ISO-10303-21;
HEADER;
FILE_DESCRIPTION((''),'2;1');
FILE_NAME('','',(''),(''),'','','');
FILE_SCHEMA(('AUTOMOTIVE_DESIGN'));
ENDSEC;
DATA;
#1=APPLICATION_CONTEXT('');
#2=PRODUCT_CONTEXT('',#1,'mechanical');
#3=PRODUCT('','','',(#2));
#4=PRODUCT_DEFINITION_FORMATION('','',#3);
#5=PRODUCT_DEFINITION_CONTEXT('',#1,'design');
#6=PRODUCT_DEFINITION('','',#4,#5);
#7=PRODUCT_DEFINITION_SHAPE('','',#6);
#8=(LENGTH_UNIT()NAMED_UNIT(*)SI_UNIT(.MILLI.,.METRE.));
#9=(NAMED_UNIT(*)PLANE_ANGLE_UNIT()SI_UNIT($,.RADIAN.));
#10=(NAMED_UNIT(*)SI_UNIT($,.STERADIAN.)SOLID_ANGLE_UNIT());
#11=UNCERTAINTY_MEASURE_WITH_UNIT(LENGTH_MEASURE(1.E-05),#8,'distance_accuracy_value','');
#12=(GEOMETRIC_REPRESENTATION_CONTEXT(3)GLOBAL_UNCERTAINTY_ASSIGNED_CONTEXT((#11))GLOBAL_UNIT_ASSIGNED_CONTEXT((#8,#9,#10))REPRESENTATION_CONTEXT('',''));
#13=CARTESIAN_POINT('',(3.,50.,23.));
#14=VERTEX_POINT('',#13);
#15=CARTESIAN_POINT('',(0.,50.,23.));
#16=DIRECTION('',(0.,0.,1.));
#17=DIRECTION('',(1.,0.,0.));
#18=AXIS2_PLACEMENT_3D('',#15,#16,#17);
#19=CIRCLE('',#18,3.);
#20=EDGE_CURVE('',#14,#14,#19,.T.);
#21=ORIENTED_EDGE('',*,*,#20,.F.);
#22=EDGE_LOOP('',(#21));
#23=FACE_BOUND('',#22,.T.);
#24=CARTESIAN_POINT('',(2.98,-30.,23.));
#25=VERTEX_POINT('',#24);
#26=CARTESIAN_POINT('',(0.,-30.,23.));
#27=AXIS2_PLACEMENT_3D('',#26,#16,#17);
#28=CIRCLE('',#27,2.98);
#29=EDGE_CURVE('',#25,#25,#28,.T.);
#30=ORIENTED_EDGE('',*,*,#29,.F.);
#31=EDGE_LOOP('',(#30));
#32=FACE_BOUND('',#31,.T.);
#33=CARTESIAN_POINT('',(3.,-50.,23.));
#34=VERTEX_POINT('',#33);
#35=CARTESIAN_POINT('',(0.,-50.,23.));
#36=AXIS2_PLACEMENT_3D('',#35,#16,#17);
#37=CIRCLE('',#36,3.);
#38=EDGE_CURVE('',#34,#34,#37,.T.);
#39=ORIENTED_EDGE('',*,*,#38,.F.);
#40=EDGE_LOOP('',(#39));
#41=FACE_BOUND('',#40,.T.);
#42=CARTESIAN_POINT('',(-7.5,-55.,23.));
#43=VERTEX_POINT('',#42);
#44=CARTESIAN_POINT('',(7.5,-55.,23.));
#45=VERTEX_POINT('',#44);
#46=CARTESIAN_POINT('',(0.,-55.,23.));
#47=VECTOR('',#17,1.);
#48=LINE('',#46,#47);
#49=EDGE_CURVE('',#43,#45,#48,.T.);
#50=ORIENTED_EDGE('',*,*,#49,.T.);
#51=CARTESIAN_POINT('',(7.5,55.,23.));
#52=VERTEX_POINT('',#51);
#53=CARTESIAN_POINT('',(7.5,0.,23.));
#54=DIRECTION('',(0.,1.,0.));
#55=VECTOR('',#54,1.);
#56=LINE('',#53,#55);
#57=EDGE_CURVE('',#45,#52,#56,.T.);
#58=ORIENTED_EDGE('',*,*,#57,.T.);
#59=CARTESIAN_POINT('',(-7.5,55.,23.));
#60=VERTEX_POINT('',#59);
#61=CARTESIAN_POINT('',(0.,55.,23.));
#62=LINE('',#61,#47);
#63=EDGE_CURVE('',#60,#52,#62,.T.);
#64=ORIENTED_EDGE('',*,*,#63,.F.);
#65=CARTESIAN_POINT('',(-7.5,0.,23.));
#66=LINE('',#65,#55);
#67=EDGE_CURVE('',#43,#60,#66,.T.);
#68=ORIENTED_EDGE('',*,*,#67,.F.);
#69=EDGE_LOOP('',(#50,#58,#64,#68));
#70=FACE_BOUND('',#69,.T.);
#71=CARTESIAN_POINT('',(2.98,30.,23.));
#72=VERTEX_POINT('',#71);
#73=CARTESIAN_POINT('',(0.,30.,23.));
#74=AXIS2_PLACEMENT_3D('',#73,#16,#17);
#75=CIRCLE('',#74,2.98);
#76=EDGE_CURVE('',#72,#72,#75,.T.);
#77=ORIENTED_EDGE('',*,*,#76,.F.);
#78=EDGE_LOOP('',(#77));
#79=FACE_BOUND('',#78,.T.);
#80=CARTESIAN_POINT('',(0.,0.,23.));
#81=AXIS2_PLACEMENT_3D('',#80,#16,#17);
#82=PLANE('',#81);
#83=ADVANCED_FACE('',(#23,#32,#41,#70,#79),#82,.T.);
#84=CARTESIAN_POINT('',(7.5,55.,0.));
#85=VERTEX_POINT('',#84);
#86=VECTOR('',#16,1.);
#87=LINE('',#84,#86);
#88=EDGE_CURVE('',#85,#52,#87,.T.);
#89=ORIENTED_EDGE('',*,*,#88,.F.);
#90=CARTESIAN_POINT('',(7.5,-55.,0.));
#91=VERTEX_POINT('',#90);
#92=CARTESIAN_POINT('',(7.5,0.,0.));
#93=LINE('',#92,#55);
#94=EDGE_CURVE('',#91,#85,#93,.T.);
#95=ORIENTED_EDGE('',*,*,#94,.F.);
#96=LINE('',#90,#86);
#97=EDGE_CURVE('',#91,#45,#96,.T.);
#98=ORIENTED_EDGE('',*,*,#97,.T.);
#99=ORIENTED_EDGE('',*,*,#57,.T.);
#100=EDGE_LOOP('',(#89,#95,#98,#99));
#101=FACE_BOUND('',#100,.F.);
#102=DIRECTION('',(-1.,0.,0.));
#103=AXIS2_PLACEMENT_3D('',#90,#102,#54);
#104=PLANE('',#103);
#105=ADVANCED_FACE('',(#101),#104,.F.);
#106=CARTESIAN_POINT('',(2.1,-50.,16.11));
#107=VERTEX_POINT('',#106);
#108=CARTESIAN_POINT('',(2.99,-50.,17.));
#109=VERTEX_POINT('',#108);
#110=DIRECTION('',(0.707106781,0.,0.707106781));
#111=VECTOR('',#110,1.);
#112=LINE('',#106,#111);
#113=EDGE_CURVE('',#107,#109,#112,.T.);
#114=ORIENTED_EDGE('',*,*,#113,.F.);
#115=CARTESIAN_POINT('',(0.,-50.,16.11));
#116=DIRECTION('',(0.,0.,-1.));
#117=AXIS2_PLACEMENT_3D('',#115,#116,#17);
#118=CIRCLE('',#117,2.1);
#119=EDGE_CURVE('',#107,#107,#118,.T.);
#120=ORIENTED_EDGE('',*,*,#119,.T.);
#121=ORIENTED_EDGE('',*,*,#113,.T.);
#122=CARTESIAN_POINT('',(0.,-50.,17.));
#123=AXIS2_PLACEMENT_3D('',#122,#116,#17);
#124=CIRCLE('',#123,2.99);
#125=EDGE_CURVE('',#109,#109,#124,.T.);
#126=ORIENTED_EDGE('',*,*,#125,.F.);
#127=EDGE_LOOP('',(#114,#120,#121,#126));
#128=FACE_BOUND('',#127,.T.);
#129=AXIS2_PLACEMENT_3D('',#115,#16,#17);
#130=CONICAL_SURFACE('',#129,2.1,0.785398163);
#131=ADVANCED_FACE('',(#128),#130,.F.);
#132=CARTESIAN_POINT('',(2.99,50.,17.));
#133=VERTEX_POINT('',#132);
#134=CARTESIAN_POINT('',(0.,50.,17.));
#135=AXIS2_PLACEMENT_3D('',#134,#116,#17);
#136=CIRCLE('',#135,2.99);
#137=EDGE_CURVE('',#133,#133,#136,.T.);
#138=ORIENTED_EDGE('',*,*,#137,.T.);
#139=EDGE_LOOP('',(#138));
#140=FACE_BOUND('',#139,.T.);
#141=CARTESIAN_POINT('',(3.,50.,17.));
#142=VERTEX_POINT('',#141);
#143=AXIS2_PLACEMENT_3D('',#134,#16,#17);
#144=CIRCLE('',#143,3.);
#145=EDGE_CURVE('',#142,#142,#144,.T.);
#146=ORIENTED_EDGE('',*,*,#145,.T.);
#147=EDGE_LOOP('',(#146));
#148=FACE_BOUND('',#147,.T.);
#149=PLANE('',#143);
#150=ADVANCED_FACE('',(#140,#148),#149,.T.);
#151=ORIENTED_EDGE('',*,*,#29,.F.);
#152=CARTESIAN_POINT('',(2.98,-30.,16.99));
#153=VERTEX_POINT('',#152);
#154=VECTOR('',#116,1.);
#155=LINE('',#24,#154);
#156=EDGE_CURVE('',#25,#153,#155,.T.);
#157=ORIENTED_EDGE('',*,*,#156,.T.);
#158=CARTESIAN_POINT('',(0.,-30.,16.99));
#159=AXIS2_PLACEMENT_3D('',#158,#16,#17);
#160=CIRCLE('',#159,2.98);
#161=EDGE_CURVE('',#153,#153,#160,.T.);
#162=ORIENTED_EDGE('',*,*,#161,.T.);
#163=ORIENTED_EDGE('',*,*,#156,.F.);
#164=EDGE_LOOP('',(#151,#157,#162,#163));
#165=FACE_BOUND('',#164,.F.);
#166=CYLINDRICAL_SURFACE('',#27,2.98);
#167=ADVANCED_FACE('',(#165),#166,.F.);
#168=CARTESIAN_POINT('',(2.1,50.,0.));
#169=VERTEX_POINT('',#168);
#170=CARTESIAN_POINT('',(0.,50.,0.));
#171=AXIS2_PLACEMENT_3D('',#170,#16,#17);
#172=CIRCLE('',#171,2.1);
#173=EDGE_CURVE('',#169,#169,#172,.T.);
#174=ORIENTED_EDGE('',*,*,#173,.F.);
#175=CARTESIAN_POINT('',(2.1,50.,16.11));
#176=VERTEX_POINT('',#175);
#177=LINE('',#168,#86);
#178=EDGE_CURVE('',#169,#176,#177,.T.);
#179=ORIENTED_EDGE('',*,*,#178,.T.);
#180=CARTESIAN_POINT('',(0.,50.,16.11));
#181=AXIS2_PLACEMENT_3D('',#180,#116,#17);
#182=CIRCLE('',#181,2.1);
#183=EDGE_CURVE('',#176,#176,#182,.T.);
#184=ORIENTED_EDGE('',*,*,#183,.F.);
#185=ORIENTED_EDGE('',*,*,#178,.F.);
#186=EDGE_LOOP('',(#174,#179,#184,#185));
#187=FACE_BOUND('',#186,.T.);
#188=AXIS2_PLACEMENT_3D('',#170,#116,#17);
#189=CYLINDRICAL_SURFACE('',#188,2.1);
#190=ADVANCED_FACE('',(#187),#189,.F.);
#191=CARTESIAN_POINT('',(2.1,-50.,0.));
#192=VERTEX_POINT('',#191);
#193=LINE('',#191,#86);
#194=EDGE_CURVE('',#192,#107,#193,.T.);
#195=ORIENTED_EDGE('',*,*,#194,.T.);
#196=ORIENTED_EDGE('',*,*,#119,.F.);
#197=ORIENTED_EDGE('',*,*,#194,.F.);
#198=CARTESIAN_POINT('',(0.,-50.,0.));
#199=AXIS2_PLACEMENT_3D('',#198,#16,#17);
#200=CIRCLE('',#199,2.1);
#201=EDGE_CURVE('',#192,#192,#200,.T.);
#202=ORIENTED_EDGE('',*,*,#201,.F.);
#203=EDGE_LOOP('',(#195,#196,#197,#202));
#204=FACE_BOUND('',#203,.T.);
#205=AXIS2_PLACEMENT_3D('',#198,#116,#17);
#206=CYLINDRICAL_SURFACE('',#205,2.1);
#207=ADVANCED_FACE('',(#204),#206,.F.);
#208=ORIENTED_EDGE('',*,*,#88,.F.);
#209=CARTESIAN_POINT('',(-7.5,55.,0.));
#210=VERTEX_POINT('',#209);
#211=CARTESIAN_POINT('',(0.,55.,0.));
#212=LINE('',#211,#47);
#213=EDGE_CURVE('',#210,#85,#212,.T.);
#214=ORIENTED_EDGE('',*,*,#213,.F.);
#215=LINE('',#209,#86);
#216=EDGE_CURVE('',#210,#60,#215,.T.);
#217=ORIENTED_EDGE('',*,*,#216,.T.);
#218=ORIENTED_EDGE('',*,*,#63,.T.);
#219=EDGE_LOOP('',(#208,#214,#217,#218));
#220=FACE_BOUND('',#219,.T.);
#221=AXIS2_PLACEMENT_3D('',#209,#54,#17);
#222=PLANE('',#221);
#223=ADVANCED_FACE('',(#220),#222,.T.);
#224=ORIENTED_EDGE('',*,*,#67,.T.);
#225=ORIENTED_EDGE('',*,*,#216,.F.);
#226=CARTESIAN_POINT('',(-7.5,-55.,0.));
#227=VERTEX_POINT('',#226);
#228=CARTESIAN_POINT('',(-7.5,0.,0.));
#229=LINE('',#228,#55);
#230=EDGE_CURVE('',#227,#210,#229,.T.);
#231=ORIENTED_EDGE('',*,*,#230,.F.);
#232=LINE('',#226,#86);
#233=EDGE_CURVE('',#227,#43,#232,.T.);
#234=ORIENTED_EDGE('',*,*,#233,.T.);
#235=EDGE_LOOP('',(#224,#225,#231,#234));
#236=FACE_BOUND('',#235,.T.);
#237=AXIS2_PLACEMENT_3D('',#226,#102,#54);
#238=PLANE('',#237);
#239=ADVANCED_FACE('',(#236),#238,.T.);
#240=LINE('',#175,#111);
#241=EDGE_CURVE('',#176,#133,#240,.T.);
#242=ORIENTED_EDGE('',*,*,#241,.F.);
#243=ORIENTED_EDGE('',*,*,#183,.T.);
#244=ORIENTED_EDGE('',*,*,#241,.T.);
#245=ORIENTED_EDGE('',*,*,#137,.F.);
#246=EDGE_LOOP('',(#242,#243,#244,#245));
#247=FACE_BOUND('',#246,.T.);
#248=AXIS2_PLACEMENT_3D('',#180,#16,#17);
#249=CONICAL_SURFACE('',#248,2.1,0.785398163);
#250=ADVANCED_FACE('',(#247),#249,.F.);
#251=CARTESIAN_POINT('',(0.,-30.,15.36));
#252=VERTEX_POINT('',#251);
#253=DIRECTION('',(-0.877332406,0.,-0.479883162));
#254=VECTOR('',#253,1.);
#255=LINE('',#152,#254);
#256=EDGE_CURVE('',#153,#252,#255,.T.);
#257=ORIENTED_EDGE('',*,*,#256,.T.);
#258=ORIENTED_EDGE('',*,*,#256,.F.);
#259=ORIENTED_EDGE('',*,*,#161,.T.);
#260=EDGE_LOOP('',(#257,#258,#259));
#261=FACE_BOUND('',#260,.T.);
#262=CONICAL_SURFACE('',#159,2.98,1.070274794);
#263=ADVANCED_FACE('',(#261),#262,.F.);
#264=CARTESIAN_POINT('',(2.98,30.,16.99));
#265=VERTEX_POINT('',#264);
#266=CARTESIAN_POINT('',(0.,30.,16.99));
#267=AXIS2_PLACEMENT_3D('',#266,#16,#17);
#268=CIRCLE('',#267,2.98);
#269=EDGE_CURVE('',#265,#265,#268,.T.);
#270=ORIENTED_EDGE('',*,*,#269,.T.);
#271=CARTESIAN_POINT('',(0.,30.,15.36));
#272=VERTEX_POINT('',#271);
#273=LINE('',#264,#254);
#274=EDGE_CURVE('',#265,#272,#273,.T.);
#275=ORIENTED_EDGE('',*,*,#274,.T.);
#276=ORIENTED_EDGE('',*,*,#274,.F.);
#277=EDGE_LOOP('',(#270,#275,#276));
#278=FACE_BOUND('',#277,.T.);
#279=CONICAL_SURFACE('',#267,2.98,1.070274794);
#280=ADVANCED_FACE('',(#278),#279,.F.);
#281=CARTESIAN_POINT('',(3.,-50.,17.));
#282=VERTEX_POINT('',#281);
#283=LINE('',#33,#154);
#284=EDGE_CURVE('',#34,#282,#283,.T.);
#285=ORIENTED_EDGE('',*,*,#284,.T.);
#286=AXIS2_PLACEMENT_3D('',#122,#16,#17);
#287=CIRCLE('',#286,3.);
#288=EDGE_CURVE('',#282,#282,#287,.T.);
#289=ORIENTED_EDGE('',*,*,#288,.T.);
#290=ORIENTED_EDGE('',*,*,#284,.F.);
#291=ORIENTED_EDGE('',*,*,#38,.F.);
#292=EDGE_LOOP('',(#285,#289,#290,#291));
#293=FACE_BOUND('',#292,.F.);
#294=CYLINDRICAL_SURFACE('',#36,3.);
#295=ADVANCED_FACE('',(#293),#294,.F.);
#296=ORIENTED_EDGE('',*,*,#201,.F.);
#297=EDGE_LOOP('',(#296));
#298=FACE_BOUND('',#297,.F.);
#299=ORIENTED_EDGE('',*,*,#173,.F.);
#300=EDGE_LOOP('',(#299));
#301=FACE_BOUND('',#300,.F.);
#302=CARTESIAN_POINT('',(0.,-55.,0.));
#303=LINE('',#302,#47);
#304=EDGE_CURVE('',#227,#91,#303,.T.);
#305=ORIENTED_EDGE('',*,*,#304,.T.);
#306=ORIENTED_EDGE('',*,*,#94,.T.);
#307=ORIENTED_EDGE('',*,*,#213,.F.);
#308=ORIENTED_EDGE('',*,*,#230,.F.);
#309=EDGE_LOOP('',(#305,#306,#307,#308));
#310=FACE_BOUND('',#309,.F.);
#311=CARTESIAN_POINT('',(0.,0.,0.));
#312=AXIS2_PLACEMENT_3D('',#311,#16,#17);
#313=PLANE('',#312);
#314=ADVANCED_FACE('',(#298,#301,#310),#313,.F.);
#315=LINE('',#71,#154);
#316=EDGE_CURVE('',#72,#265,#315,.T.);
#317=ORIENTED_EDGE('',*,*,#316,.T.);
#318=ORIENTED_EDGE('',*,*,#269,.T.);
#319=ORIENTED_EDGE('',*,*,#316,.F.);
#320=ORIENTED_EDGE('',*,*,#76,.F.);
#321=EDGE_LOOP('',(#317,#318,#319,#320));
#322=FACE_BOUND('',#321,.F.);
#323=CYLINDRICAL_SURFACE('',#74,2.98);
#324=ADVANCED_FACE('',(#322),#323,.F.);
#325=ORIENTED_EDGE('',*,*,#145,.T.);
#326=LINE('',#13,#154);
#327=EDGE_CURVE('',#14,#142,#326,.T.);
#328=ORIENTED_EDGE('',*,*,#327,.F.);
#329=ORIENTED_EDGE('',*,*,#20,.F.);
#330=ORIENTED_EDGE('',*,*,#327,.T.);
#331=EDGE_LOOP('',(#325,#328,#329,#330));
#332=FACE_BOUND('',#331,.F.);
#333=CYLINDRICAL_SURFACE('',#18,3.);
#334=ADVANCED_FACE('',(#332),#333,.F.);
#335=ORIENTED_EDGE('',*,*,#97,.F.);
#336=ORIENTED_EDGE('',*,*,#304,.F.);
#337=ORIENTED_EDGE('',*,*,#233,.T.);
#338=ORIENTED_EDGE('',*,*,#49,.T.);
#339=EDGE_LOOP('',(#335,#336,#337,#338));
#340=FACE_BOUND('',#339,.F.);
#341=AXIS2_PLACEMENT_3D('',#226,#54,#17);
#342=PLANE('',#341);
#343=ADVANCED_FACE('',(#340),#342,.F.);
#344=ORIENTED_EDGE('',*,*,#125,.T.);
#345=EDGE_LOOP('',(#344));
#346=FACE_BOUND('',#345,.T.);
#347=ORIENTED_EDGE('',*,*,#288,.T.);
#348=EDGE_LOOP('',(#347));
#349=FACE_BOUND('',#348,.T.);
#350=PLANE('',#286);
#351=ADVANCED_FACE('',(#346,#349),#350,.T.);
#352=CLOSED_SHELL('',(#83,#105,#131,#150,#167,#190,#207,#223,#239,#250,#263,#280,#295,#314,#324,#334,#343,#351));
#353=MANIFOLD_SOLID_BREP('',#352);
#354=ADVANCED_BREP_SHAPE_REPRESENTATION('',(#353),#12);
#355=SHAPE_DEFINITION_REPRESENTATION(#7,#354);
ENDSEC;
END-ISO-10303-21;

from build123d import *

# Parameters (mm, degrees)
CYLINDER_R     = 2.98
CYLINDER_DEPTH = 6.01
ARRAY_Y_COUNT  = 2
ARRAY_Y_PITCH  = 60
SKETCH_W       = 15
SKETCH_H       = 110
SKETCH_R       = 2.1
PAD_DEPTH      = 23
SKETCH001_R    = 3
POCKET_DEPTH   = 6
CHAMFER_SIZE   = 0.89


with BuildPart() as cono:
    # Cone → Cone (revolve)
    with BuildSketch(Plane(origin=(0, 0, 6.01), x_dir=(1, 0, 0), z_dir=(0, -1, 0))):
        Polygon((0, 0), (2.98, 0), (0, 1.63), align=None)
    revolve(axis=Axis((0, 0, 6.01), (0, 0, 1)))


with BuildPart() as fusion:
    # Cylinder → Cylinder (new body)
    with BuildSketch(Plane.XY):
        Circle(CYLINDER_R)
    extrude(amount=CYLINDER_DEPTH)

    # Fusion: union Cono
    add(cono.part)


with BuildPart() as fusion_1:
    # Fusion placement: moved
    add(fusion.part.moved(Location((0, 30, -23))))


with BuildPart() as array:
    # Part__Mirroring: instance of Fusion
    add(fusion_1.part.mirror(Plane(origin=(0, 0, 0), x_dir=(0, 1, 0), z_dir=(0, 0, 1))))

    # Array Y: Array ×2


with BuildPart() as array_1:
    add(array.part)
    with Locations(*[(0, -i * ARRAY_Y_PITCH, 0) for i in range(1, ARRAY_Y_COUNT)]):
        add(array.part)


with BuildPart() as cut:
    # Sketch → Pad (new body)
    with BuildSketch(Plane.XY):
        Rectangle(SKETCH_W, SKETCH_H)
        with Locations((0, 50)):
            Circle(SKETCH_R, mode=Mode.SUBTRACT)
        with Locations((0, -50)):
            Circle(SKETCH_R, mode=Mode.SUBTRACT)
    extrude(amount=PAD_DEPTH)

    # Sketch001 → Pocket (cut)
    with BuildSketch(Plane.XY.offset(23)):
        with Locations((0, 50)):
            Circle(SKETCH001_R)
        with Locations((0, -50)):
            Circle(SKETCH001_R)
    extrude(amount=-POCKET_DEPTH, mode=Mode.SUBTRACT)

    # Chamfer
    chamfer_edges = [cut.edges().sort_by_distance(p)[0] for p in [
        (-2.1, 50, 17),
        (-2.1, -50, 17),
    ]]
    chamfer(chamfer_edges, length=CHAMFER_SIZE)

    # Cut: cut Array
    add(array_1.part, mode=Mode.SUBTRACT)


solid = cut.part
